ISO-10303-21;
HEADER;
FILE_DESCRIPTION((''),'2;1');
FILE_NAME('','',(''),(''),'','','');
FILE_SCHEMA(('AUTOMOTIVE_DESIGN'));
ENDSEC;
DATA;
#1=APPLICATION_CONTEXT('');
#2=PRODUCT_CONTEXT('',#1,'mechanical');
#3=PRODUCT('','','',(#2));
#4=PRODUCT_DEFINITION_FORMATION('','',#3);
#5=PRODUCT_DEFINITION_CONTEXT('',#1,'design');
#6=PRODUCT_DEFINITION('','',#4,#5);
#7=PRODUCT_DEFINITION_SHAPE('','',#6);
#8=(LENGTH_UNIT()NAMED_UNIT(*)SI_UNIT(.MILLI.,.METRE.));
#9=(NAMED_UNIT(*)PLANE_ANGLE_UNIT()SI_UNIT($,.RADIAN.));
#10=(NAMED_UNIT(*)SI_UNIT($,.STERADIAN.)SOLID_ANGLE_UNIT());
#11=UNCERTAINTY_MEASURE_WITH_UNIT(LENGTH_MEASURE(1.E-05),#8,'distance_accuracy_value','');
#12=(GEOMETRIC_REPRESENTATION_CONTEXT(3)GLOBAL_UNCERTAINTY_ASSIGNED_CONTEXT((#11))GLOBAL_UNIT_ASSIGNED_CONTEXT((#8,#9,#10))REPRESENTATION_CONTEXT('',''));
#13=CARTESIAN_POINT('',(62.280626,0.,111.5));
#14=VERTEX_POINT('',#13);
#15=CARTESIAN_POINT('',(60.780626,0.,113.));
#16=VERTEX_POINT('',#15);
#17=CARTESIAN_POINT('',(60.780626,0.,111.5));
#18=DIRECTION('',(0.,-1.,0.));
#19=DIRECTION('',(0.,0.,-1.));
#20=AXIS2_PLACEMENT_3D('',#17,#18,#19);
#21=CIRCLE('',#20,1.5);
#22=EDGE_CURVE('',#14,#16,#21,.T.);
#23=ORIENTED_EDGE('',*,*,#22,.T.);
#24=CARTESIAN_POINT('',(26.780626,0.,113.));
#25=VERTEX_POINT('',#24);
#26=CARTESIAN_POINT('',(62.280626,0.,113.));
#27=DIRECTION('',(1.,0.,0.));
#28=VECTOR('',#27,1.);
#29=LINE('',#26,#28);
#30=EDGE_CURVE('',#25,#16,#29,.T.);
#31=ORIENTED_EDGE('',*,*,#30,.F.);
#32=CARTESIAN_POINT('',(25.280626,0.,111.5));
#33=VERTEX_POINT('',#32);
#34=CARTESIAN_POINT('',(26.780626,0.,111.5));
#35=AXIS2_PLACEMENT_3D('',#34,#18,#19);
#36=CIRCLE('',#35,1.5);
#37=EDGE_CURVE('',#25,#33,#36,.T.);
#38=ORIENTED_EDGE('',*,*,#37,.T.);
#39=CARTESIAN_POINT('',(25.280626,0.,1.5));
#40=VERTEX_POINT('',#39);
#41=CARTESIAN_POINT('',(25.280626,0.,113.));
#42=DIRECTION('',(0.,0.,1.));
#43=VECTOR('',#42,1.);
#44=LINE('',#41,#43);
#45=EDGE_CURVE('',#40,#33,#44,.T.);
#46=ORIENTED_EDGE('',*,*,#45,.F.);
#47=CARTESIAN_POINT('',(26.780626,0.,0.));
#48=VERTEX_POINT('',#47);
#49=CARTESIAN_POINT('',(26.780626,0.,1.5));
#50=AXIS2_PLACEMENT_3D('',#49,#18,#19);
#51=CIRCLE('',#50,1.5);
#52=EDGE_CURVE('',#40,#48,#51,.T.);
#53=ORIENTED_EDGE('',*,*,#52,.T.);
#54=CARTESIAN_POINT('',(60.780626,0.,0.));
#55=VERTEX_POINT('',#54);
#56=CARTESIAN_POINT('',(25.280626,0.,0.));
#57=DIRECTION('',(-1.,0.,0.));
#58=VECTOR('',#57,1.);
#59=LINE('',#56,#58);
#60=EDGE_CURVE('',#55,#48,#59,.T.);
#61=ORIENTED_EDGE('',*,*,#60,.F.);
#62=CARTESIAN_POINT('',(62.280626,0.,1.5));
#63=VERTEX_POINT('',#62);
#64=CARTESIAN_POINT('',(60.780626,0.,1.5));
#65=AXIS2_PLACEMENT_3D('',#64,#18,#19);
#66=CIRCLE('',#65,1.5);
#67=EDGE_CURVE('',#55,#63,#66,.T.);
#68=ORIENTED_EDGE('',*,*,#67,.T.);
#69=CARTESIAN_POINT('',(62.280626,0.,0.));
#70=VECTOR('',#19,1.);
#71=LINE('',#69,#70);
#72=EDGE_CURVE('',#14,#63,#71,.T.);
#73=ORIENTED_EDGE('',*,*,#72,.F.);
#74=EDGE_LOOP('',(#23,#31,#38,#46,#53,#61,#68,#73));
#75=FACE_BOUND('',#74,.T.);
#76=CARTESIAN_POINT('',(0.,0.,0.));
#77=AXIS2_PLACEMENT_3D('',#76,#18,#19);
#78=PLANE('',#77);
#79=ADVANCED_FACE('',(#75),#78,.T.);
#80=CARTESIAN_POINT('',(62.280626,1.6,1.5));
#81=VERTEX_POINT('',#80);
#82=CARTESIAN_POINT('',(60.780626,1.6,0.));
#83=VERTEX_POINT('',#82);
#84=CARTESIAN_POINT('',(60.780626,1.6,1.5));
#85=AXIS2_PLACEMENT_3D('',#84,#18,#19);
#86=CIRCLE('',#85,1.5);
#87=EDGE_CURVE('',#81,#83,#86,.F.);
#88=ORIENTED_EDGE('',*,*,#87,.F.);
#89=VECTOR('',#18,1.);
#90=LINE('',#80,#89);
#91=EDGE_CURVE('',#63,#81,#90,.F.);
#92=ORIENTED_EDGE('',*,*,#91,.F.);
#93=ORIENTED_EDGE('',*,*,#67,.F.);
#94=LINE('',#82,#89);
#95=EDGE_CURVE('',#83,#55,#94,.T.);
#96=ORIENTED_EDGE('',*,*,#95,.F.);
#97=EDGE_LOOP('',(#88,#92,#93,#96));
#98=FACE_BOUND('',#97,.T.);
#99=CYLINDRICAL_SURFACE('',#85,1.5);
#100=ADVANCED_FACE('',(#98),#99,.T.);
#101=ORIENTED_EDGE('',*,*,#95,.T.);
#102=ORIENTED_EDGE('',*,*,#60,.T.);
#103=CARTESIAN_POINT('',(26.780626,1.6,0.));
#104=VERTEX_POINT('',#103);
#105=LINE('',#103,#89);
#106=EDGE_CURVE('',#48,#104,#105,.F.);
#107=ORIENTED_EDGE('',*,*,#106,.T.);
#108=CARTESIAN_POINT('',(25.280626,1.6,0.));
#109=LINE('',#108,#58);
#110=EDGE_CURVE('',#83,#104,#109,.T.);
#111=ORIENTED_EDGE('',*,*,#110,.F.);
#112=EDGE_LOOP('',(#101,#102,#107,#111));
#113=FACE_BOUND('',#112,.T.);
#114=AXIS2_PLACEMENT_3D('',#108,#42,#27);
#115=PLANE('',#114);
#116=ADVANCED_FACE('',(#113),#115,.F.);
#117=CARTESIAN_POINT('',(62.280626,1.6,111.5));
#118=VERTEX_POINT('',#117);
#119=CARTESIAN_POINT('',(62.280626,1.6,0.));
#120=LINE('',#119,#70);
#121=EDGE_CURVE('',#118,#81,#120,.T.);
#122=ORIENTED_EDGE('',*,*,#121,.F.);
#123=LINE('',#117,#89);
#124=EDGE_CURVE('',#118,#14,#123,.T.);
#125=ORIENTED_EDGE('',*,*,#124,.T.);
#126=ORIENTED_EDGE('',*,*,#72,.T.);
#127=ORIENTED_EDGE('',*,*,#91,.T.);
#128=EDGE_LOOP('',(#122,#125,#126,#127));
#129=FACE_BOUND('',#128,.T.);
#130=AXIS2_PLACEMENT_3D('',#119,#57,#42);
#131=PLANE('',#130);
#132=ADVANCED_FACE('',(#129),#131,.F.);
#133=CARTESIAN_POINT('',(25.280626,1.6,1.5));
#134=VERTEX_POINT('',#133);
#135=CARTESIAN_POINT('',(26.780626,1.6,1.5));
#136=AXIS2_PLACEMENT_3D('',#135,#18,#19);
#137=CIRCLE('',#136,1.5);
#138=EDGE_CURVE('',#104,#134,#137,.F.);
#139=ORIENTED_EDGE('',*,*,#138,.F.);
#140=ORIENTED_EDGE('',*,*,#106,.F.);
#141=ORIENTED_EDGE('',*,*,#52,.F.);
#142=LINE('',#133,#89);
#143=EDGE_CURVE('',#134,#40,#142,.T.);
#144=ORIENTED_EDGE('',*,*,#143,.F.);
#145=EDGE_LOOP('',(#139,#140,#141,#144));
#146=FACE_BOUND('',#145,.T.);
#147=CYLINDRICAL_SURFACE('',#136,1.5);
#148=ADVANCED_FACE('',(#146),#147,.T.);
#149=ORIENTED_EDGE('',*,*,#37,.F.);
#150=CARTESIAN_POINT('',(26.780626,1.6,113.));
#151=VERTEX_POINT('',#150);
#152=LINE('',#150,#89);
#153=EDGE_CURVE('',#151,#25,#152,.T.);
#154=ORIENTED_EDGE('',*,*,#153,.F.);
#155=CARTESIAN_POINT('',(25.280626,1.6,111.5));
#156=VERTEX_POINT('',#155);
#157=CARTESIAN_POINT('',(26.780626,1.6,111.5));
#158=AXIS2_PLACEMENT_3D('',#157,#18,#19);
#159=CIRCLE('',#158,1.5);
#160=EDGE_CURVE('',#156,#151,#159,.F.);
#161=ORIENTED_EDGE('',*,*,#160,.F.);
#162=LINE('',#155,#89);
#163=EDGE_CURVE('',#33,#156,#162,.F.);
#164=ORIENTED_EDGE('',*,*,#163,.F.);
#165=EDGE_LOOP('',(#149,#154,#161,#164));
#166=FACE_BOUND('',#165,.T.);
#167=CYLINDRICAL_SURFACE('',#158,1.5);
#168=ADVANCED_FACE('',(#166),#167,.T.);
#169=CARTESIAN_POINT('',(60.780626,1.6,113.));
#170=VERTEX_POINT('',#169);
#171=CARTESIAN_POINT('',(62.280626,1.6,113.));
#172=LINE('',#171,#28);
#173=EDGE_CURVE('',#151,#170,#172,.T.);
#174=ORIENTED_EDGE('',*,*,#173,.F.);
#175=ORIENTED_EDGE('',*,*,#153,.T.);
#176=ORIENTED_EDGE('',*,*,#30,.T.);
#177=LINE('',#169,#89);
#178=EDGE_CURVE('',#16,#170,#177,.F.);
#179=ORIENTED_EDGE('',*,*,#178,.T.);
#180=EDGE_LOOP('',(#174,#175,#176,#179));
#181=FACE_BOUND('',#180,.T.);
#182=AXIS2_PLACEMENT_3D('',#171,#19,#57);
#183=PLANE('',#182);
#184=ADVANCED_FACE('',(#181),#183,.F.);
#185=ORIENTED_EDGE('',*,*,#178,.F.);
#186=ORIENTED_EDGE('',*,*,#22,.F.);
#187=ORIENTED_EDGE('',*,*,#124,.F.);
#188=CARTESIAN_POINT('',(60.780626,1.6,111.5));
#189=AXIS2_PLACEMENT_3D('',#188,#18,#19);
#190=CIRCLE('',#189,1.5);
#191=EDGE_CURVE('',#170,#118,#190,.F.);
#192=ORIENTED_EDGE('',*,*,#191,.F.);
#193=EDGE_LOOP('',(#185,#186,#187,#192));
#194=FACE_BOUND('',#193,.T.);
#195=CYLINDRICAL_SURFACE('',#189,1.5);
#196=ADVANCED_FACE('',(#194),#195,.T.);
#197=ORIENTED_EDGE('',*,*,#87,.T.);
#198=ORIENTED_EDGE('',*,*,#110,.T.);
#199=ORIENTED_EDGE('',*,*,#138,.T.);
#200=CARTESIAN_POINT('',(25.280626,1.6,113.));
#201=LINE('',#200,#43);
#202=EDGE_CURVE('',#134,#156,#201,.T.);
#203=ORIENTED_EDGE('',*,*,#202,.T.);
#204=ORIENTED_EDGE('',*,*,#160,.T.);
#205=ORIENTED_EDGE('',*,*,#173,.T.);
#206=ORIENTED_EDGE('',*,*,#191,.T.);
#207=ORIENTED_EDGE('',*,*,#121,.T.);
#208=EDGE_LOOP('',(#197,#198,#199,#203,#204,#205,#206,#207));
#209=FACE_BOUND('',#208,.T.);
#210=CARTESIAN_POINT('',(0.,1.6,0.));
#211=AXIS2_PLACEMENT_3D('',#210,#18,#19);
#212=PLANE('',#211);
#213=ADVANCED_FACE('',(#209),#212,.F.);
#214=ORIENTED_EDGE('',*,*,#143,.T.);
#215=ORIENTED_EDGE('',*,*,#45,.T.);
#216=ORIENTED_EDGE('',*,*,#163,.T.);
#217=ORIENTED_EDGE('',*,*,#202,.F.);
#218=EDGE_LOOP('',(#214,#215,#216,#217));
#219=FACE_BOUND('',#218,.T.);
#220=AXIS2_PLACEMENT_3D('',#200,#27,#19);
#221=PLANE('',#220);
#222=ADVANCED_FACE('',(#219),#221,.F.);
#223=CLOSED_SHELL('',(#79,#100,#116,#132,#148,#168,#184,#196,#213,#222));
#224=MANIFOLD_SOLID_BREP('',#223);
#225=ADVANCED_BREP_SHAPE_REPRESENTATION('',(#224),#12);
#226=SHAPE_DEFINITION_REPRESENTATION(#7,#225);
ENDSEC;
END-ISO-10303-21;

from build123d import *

# Parameters (mm, degrees)
SKETCH_1_W      = 37
SKETCH_1_H      = 113
EXTRUDE_1_DEPTH = 1.6
FILLET_1_R      = 1.5


with BuildPart() as part:
    # 草图1 → 凸台-拉伸1 (new body)
    with BuildSketch(Plane(origin=(0, 0, 0), x_dir=(1, 0, 0), z_dir=(0, 1, 0))):
        with Locations((43.780625722, -56.5)):
            Rectangle(SKETCH_1_W, SKETCH_1_H)
    extrude(amount=EXTRUDE_1_DEPTH)

    # 圆角1
    fillet_1_edges = [part.edges().sort_by_distance(p)[0] for p in [
        (25.280625722, 0.8, 0),
        (62.280625722, 0.8, 0),
        (62.280625722, 0.8, 113),
        (25.280625722, 0.8, 113),
    ]]
    fillet(fillet_1_edges, radius=FILLET_1_R)


solid = part.part
